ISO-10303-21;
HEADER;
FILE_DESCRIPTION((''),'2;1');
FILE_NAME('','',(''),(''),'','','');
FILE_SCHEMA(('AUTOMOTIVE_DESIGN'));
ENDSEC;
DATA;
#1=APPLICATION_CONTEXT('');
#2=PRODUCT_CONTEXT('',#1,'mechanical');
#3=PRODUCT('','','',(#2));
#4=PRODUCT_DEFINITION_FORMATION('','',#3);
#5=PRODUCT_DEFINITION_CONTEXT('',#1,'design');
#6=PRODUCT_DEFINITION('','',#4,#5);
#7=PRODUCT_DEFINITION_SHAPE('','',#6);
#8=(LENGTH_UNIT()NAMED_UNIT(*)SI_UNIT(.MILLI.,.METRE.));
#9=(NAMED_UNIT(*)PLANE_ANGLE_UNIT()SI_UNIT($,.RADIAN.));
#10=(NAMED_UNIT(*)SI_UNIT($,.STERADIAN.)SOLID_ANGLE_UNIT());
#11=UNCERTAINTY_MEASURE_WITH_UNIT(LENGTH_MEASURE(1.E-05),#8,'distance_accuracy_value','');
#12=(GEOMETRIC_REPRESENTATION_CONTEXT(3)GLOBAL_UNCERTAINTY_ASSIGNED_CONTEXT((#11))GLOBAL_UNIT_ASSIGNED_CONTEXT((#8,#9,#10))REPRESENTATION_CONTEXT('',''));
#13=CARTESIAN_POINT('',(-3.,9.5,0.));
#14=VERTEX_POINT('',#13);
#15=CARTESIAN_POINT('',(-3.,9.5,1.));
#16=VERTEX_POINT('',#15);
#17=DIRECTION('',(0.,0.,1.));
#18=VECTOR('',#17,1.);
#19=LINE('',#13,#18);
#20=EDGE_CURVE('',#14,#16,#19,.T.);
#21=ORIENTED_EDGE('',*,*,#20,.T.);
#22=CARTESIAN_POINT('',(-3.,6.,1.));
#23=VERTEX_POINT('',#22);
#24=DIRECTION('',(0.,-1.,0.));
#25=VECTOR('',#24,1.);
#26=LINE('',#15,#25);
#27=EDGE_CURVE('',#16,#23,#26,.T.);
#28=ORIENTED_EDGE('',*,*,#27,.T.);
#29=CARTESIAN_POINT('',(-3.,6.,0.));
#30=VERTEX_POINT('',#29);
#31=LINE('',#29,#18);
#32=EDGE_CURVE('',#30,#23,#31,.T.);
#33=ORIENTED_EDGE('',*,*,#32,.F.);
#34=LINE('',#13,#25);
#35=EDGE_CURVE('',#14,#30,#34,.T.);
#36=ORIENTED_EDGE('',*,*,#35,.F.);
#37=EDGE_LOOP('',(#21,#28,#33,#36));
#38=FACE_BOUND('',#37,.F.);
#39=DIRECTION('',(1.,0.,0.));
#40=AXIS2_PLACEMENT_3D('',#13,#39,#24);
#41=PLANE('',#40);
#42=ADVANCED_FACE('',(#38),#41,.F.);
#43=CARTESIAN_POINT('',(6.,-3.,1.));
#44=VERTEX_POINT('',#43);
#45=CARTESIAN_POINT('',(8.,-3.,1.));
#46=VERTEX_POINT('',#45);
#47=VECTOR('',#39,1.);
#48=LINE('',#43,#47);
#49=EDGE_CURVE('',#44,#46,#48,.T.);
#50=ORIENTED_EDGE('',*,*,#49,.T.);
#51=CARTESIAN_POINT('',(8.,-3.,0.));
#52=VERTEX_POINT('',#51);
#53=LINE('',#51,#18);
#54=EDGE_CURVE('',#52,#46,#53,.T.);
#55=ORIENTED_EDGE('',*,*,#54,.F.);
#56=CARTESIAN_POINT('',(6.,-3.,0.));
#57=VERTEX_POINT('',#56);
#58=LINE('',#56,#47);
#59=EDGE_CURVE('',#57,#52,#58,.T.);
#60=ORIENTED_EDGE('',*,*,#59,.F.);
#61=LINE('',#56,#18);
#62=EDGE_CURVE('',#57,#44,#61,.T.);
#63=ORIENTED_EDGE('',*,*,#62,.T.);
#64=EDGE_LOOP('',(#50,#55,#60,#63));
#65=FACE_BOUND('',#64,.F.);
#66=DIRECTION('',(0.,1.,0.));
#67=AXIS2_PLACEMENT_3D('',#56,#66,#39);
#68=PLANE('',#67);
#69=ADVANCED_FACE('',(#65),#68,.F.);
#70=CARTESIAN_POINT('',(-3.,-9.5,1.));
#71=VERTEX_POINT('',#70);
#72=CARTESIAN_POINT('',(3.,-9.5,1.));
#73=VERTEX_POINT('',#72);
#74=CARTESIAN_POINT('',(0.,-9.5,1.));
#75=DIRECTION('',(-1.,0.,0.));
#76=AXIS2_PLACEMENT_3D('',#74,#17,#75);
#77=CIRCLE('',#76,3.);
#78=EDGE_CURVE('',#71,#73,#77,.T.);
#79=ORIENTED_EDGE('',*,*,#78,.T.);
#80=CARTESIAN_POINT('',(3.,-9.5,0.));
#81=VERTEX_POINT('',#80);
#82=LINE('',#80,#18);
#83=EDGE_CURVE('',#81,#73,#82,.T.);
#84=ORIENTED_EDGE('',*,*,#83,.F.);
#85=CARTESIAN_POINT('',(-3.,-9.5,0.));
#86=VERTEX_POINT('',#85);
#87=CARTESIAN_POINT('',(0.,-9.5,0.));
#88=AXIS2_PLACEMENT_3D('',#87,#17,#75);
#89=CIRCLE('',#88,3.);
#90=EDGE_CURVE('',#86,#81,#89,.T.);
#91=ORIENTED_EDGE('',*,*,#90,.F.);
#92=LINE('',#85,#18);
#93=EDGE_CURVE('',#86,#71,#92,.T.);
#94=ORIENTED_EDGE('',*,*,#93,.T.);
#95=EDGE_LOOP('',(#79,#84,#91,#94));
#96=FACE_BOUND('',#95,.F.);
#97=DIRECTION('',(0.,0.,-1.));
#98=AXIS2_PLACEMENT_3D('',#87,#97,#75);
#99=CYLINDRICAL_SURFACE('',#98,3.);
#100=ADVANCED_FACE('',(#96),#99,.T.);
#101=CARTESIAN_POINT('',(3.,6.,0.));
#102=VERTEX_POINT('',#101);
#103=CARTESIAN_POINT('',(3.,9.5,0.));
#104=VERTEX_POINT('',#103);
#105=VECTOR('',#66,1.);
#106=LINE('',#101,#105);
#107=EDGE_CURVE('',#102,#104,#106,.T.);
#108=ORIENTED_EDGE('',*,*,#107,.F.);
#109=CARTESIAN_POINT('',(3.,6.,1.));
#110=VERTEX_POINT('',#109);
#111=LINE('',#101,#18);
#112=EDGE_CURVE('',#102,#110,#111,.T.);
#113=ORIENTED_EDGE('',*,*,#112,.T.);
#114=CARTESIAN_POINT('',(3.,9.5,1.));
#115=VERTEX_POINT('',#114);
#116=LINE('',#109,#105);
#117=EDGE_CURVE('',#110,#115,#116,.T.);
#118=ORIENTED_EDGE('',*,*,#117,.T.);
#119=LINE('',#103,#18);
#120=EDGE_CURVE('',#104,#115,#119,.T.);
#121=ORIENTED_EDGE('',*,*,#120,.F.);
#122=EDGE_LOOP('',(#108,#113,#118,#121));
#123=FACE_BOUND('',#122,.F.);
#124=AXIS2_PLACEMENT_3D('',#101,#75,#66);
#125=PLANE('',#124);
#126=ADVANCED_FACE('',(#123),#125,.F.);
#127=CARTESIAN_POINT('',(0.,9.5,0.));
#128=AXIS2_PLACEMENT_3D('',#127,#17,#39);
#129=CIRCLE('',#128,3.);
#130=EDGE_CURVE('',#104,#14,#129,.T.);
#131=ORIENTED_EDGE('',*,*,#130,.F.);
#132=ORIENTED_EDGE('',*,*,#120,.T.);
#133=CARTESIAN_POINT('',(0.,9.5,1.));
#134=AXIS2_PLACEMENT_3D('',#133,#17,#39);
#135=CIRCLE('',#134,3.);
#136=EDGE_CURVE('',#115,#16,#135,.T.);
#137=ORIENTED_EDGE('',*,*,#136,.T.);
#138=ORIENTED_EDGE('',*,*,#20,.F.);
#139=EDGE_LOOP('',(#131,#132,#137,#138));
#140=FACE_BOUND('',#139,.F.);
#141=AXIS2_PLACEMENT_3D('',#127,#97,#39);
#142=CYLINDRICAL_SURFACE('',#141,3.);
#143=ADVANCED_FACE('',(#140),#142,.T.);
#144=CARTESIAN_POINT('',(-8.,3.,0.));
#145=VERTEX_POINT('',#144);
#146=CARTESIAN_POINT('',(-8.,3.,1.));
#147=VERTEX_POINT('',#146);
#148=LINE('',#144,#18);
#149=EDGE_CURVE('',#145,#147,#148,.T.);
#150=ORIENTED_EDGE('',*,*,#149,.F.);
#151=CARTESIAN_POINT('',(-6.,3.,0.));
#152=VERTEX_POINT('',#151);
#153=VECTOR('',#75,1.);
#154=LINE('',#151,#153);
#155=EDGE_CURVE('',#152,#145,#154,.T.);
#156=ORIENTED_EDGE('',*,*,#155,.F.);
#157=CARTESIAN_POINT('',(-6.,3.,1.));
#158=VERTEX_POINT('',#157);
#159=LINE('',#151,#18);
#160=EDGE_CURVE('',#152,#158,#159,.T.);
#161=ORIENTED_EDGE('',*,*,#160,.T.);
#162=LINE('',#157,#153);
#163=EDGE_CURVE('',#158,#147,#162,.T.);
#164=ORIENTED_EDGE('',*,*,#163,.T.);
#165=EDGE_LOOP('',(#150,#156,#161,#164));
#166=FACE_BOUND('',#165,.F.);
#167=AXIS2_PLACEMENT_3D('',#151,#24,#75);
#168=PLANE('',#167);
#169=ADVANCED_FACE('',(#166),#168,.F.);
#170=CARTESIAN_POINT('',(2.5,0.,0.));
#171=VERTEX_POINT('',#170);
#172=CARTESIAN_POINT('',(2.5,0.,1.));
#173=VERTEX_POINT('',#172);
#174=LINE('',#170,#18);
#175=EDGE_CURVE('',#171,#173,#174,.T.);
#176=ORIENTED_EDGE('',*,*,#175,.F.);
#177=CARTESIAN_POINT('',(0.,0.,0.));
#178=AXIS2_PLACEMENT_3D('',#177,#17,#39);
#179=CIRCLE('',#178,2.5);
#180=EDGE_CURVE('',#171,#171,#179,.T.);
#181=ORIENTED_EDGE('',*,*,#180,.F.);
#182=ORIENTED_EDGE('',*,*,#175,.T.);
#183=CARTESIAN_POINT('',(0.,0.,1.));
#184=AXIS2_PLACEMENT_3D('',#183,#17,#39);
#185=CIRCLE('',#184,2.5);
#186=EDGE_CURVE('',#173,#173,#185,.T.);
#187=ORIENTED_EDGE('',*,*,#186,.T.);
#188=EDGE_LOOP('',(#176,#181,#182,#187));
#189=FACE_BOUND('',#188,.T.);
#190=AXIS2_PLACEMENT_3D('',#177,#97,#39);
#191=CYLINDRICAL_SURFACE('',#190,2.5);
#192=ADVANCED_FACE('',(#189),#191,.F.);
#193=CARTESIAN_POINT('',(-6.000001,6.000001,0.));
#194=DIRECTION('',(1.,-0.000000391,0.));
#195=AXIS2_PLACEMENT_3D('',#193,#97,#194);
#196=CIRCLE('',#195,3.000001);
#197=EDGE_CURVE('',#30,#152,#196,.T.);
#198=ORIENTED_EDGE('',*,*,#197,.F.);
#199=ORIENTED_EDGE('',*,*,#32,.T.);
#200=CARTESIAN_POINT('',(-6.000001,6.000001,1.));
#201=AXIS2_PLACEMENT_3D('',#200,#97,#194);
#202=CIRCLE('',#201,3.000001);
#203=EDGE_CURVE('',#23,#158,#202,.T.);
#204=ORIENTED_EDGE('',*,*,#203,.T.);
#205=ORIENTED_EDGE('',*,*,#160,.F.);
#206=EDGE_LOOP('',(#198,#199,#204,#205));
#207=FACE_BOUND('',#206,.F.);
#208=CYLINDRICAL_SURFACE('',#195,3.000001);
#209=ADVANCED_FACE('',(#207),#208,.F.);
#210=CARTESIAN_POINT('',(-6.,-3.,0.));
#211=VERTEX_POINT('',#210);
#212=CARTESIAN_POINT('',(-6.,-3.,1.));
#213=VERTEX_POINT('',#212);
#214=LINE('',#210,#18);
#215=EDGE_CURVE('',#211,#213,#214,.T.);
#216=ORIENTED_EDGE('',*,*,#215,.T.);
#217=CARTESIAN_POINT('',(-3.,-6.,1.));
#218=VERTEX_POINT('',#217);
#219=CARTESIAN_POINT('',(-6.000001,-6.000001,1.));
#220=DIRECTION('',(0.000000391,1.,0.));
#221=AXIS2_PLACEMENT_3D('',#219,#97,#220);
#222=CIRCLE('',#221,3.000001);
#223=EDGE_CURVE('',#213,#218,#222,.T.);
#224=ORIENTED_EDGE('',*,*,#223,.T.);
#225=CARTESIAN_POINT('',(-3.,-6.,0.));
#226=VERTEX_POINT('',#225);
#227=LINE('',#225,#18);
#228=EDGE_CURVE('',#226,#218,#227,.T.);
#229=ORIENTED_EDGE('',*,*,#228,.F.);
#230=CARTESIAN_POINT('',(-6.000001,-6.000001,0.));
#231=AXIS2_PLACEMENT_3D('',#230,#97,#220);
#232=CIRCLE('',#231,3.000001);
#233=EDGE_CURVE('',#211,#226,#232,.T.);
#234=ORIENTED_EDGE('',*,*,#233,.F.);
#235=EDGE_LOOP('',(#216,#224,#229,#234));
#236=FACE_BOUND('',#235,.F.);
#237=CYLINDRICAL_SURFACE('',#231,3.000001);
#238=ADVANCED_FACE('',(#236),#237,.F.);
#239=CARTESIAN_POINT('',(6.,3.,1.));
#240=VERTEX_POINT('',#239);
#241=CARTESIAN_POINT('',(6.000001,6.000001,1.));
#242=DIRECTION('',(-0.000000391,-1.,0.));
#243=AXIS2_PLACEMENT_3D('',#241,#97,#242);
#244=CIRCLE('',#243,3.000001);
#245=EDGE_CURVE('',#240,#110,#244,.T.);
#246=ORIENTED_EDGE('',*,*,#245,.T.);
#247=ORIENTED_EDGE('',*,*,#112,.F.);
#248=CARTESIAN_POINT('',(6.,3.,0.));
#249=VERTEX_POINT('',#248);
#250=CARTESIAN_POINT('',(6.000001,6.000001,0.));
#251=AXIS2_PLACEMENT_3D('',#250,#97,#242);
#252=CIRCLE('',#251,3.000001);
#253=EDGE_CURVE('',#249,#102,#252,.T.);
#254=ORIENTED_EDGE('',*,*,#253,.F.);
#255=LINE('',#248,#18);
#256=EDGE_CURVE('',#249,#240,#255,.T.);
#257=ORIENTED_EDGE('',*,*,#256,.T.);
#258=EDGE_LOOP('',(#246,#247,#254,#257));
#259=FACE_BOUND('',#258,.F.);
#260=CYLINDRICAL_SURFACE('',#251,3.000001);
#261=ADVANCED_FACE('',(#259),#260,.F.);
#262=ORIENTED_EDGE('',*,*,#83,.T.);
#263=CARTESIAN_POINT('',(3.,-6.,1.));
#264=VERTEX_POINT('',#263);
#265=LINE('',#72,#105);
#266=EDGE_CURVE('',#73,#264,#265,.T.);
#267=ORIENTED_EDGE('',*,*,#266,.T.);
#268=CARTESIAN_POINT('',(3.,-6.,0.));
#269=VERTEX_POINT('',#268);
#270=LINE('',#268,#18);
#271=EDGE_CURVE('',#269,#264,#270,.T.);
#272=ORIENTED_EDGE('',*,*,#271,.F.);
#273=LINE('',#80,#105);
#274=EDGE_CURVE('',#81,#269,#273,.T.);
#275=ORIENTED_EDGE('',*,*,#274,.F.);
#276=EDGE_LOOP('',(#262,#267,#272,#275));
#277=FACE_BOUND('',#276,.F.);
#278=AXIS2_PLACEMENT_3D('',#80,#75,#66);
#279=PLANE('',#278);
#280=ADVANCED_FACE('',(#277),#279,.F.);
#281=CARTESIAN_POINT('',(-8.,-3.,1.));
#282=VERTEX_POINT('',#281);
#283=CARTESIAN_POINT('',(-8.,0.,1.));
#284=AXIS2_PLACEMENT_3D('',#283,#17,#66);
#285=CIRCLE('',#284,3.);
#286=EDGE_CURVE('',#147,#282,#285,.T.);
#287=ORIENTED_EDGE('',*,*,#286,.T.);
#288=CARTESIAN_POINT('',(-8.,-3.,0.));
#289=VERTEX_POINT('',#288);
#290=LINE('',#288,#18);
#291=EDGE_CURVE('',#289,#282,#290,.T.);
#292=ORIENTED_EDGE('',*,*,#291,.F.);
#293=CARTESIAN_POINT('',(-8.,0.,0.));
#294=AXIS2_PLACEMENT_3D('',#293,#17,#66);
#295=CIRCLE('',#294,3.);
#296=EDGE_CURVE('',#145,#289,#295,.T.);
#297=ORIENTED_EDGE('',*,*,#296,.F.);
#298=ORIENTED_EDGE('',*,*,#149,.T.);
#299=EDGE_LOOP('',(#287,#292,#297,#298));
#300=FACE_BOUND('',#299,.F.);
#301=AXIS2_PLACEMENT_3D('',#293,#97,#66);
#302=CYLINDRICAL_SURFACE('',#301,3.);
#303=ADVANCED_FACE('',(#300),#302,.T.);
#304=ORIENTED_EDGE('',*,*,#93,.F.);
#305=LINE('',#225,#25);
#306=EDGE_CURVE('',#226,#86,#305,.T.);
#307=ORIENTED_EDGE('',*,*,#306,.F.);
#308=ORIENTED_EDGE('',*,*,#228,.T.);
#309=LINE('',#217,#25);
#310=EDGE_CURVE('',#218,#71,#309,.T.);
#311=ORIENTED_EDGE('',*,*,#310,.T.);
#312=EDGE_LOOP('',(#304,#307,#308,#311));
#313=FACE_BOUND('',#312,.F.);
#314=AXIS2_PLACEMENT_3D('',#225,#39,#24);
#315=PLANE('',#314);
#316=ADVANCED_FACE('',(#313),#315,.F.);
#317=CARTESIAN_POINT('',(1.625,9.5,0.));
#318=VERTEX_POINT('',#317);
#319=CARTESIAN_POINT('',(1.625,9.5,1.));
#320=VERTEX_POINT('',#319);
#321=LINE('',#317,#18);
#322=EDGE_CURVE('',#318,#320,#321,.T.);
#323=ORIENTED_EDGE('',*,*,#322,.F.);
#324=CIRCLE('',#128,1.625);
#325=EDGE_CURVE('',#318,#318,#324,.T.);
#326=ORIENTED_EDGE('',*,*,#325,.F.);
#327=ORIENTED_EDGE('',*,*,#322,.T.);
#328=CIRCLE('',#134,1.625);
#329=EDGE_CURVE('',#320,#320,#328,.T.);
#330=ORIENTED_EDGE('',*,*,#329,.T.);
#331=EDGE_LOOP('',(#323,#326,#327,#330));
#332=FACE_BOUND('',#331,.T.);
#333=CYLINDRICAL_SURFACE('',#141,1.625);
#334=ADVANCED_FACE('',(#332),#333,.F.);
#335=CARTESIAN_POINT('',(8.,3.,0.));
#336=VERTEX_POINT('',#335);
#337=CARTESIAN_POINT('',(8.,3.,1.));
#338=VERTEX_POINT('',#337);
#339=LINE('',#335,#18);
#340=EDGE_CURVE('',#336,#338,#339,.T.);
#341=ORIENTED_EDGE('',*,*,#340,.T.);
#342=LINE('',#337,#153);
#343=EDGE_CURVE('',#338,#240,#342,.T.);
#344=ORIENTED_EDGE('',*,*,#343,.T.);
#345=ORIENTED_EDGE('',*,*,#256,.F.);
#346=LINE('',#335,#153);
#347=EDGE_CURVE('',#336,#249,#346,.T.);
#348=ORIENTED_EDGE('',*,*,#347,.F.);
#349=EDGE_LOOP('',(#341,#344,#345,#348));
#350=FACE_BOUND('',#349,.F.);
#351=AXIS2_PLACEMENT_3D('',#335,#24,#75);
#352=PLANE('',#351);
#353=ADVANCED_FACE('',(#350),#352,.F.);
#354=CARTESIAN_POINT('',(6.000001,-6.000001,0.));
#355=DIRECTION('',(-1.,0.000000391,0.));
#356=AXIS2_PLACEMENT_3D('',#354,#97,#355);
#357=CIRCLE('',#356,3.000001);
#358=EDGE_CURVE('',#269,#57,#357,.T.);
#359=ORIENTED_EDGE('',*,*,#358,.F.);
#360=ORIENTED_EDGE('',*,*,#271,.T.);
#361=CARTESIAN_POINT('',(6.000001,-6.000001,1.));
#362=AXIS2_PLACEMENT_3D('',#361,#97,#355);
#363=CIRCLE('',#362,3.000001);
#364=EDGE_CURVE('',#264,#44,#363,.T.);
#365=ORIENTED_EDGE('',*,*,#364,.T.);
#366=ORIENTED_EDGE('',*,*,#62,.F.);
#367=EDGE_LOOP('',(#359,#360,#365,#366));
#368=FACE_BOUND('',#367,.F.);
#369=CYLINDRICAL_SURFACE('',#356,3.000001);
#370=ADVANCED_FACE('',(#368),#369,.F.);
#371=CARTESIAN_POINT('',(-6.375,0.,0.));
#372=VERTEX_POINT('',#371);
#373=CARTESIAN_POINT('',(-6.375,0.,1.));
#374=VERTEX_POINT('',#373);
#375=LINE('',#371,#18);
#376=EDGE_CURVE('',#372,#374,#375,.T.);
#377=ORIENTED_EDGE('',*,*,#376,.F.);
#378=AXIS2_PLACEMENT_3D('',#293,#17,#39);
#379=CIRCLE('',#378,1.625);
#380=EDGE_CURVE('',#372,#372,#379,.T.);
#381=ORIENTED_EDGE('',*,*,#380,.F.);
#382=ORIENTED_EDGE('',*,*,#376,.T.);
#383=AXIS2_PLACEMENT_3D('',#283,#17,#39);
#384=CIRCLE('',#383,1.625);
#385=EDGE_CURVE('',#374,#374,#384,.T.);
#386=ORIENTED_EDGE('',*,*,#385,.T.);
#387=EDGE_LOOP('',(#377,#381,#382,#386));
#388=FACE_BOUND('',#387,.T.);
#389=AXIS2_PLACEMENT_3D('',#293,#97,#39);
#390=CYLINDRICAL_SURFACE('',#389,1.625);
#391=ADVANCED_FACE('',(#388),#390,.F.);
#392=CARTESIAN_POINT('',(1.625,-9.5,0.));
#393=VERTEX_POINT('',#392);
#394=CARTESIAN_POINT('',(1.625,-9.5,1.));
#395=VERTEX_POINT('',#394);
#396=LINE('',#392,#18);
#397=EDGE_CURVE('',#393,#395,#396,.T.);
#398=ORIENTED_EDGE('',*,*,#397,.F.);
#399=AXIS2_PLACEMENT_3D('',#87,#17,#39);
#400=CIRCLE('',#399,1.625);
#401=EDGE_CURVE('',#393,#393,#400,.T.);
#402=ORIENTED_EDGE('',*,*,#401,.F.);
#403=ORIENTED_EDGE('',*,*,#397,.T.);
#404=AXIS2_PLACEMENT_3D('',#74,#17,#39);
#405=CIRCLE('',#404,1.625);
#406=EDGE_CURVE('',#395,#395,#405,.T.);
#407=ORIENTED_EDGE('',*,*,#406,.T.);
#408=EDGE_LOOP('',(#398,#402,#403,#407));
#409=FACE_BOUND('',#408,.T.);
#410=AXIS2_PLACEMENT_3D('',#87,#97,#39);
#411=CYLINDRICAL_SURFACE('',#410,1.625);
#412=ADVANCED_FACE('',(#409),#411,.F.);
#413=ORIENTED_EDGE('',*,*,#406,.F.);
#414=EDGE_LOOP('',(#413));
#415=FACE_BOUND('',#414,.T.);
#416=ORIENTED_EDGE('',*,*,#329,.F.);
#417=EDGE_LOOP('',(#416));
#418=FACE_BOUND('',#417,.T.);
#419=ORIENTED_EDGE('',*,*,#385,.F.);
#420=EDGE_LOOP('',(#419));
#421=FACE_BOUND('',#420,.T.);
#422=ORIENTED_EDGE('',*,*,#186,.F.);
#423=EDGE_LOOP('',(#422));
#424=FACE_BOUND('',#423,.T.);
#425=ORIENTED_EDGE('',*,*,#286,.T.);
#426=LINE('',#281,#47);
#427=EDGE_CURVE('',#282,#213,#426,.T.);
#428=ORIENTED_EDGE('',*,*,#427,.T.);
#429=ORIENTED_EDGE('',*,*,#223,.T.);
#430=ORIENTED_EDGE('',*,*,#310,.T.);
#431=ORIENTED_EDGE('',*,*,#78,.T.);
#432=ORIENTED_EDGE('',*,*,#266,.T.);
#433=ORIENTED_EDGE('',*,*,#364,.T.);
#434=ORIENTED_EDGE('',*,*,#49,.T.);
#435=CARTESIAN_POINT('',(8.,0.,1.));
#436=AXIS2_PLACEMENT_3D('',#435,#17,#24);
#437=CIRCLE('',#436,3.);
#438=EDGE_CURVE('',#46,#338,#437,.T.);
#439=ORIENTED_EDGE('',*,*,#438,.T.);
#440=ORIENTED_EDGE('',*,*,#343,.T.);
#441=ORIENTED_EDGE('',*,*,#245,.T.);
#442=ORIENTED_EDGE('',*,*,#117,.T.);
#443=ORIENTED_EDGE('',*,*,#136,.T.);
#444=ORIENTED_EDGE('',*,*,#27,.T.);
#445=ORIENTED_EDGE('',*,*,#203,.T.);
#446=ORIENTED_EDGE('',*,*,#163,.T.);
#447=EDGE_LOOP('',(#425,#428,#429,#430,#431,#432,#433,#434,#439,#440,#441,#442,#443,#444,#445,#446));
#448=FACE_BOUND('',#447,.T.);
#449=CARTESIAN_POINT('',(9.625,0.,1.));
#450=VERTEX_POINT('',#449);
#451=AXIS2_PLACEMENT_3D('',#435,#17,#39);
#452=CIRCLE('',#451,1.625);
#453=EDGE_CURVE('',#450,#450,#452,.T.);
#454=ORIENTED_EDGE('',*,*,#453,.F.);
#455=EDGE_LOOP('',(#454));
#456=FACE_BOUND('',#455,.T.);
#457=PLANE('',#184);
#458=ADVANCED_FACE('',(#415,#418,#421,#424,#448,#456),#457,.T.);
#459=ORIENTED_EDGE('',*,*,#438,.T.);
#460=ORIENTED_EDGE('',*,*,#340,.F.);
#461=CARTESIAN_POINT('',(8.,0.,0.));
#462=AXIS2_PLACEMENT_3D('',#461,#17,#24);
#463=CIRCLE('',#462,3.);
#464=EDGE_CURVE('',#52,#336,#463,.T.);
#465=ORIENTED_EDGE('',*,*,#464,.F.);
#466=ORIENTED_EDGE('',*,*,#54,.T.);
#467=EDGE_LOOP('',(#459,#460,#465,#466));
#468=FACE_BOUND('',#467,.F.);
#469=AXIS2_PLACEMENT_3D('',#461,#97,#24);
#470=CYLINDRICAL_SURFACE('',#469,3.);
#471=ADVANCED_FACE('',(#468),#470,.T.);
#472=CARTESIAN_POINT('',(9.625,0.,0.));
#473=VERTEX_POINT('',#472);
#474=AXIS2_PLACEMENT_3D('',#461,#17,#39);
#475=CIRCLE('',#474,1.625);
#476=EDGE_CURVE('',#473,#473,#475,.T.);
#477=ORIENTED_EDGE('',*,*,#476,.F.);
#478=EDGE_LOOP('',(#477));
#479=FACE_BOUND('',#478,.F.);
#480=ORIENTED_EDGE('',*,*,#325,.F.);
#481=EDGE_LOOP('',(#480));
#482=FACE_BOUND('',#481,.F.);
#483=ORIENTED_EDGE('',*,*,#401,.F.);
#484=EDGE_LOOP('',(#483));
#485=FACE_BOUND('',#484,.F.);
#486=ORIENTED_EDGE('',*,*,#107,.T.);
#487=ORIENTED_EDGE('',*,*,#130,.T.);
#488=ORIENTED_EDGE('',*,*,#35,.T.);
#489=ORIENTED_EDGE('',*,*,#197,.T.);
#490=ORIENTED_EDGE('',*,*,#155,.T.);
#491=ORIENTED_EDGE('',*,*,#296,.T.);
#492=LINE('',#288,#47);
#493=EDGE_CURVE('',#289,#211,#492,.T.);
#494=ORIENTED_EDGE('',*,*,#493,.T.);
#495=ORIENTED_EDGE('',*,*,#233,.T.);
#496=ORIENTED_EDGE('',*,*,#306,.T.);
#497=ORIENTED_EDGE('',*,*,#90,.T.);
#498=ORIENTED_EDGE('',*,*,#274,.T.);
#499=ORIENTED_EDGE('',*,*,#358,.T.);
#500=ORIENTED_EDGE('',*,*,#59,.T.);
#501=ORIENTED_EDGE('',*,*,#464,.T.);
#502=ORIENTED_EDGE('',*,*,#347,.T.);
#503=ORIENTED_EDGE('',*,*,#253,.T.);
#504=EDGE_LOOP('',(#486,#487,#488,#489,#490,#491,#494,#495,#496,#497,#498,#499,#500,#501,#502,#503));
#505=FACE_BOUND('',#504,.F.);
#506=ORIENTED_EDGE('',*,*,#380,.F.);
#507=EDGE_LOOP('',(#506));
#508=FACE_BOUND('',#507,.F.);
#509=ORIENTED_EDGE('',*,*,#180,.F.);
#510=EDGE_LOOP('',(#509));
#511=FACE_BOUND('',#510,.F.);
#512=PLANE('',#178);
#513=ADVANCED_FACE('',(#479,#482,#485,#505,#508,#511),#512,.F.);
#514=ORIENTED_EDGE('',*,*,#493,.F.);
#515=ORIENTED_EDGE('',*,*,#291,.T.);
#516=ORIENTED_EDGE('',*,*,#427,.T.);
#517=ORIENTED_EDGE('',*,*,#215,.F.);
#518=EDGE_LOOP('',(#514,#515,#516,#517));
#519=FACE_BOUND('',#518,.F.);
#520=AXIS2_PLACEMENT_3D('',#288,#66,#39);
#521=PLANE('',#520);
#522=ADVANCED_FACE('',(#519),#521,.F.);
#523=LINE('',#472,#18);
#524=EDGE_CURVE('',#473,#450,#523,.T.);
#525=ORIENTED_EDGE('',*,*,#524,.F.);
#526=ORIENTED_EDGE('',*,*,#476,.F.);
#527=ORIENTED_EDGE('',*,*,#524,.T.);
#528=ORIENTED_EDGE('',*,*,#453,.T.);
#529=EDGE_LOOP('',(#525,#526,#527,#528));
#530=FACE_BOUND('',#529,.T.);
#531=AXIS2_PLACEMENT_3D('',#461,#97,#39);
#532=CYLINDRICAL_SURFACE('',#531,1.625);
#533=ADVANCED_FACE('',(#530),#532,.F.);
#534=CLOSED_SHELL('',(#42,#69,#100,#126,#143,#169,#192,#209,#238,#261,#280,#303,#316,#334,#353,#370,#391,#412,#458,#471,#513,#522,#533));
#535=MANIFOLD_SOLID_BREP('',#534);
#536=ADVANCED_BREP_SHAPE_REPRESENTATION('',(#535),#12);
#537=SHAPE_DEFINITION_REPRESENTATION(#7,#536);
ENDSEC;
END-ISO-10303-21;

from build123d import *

# Parameters (mm, degrees)
F0_R     = 1.625
F0_R_2   = 2.5
F1_DEPTH = 1


with BuildPart() as f1:
    # F0 (on Top) → F1 (new body)
    with BuildSketch(Plane.XY):
        with BuildLine():
            ThreePointArc((3, 9.5), (0, 12.5), (-3, 9.5))
            Line((-3, 9.5), (-3, 6))
            ThreePointArc((-3, 6), (-3.87868, 3.87868), (-6, 3))
            Line((-6, 3), (-8, 3))
            ThreePointArc((-8, 3), (-11, 0), (-8, -3))
            Line((-8, -3), (-6, -3))
            ThreePointArc((-6, -3), (-3.87868, -3.87868), (-3, -6))
            Line((-3, -6), (-3, -9.5))
            ThreePointArc((-3, -9.5), (0, -12.5), (3, -9.5))
            Line((3, -9.5), (3, -6))
            ThreePointArc((3, -6), (3.87868, -3.87868), (6, -3))
            Line((6, -3), (8, -3))
            ThreePointArc((8, -3), (11, 0), (8, 3))
            Line((8, 3), (6, 3))
            ThreePointArc((6, 3), (3.87868, 3.87868), (3, 6))
            Line((3, 6), (3, 9.5))
        make_face()
        with Locations((0, -9.5)):
            Circle(F0_R, mode=Mode.SUBTRACT)
        with Locations((-8, 0)):
            Circle(F0_R, mode=Mode.SUBTRACT)
        Circle(F0_R_2, mode=Mode.SUBTRACT)
        with Locations((8, 0)):
            Circle(F0_R, mode=Mode.SUBTRACT)
        with Locations((0, 9.5)):
            Circle(F0_R, mode=Mode.SUBTRACT)
    extrude(amount=F1_DEPTH)


solid = f1.part
